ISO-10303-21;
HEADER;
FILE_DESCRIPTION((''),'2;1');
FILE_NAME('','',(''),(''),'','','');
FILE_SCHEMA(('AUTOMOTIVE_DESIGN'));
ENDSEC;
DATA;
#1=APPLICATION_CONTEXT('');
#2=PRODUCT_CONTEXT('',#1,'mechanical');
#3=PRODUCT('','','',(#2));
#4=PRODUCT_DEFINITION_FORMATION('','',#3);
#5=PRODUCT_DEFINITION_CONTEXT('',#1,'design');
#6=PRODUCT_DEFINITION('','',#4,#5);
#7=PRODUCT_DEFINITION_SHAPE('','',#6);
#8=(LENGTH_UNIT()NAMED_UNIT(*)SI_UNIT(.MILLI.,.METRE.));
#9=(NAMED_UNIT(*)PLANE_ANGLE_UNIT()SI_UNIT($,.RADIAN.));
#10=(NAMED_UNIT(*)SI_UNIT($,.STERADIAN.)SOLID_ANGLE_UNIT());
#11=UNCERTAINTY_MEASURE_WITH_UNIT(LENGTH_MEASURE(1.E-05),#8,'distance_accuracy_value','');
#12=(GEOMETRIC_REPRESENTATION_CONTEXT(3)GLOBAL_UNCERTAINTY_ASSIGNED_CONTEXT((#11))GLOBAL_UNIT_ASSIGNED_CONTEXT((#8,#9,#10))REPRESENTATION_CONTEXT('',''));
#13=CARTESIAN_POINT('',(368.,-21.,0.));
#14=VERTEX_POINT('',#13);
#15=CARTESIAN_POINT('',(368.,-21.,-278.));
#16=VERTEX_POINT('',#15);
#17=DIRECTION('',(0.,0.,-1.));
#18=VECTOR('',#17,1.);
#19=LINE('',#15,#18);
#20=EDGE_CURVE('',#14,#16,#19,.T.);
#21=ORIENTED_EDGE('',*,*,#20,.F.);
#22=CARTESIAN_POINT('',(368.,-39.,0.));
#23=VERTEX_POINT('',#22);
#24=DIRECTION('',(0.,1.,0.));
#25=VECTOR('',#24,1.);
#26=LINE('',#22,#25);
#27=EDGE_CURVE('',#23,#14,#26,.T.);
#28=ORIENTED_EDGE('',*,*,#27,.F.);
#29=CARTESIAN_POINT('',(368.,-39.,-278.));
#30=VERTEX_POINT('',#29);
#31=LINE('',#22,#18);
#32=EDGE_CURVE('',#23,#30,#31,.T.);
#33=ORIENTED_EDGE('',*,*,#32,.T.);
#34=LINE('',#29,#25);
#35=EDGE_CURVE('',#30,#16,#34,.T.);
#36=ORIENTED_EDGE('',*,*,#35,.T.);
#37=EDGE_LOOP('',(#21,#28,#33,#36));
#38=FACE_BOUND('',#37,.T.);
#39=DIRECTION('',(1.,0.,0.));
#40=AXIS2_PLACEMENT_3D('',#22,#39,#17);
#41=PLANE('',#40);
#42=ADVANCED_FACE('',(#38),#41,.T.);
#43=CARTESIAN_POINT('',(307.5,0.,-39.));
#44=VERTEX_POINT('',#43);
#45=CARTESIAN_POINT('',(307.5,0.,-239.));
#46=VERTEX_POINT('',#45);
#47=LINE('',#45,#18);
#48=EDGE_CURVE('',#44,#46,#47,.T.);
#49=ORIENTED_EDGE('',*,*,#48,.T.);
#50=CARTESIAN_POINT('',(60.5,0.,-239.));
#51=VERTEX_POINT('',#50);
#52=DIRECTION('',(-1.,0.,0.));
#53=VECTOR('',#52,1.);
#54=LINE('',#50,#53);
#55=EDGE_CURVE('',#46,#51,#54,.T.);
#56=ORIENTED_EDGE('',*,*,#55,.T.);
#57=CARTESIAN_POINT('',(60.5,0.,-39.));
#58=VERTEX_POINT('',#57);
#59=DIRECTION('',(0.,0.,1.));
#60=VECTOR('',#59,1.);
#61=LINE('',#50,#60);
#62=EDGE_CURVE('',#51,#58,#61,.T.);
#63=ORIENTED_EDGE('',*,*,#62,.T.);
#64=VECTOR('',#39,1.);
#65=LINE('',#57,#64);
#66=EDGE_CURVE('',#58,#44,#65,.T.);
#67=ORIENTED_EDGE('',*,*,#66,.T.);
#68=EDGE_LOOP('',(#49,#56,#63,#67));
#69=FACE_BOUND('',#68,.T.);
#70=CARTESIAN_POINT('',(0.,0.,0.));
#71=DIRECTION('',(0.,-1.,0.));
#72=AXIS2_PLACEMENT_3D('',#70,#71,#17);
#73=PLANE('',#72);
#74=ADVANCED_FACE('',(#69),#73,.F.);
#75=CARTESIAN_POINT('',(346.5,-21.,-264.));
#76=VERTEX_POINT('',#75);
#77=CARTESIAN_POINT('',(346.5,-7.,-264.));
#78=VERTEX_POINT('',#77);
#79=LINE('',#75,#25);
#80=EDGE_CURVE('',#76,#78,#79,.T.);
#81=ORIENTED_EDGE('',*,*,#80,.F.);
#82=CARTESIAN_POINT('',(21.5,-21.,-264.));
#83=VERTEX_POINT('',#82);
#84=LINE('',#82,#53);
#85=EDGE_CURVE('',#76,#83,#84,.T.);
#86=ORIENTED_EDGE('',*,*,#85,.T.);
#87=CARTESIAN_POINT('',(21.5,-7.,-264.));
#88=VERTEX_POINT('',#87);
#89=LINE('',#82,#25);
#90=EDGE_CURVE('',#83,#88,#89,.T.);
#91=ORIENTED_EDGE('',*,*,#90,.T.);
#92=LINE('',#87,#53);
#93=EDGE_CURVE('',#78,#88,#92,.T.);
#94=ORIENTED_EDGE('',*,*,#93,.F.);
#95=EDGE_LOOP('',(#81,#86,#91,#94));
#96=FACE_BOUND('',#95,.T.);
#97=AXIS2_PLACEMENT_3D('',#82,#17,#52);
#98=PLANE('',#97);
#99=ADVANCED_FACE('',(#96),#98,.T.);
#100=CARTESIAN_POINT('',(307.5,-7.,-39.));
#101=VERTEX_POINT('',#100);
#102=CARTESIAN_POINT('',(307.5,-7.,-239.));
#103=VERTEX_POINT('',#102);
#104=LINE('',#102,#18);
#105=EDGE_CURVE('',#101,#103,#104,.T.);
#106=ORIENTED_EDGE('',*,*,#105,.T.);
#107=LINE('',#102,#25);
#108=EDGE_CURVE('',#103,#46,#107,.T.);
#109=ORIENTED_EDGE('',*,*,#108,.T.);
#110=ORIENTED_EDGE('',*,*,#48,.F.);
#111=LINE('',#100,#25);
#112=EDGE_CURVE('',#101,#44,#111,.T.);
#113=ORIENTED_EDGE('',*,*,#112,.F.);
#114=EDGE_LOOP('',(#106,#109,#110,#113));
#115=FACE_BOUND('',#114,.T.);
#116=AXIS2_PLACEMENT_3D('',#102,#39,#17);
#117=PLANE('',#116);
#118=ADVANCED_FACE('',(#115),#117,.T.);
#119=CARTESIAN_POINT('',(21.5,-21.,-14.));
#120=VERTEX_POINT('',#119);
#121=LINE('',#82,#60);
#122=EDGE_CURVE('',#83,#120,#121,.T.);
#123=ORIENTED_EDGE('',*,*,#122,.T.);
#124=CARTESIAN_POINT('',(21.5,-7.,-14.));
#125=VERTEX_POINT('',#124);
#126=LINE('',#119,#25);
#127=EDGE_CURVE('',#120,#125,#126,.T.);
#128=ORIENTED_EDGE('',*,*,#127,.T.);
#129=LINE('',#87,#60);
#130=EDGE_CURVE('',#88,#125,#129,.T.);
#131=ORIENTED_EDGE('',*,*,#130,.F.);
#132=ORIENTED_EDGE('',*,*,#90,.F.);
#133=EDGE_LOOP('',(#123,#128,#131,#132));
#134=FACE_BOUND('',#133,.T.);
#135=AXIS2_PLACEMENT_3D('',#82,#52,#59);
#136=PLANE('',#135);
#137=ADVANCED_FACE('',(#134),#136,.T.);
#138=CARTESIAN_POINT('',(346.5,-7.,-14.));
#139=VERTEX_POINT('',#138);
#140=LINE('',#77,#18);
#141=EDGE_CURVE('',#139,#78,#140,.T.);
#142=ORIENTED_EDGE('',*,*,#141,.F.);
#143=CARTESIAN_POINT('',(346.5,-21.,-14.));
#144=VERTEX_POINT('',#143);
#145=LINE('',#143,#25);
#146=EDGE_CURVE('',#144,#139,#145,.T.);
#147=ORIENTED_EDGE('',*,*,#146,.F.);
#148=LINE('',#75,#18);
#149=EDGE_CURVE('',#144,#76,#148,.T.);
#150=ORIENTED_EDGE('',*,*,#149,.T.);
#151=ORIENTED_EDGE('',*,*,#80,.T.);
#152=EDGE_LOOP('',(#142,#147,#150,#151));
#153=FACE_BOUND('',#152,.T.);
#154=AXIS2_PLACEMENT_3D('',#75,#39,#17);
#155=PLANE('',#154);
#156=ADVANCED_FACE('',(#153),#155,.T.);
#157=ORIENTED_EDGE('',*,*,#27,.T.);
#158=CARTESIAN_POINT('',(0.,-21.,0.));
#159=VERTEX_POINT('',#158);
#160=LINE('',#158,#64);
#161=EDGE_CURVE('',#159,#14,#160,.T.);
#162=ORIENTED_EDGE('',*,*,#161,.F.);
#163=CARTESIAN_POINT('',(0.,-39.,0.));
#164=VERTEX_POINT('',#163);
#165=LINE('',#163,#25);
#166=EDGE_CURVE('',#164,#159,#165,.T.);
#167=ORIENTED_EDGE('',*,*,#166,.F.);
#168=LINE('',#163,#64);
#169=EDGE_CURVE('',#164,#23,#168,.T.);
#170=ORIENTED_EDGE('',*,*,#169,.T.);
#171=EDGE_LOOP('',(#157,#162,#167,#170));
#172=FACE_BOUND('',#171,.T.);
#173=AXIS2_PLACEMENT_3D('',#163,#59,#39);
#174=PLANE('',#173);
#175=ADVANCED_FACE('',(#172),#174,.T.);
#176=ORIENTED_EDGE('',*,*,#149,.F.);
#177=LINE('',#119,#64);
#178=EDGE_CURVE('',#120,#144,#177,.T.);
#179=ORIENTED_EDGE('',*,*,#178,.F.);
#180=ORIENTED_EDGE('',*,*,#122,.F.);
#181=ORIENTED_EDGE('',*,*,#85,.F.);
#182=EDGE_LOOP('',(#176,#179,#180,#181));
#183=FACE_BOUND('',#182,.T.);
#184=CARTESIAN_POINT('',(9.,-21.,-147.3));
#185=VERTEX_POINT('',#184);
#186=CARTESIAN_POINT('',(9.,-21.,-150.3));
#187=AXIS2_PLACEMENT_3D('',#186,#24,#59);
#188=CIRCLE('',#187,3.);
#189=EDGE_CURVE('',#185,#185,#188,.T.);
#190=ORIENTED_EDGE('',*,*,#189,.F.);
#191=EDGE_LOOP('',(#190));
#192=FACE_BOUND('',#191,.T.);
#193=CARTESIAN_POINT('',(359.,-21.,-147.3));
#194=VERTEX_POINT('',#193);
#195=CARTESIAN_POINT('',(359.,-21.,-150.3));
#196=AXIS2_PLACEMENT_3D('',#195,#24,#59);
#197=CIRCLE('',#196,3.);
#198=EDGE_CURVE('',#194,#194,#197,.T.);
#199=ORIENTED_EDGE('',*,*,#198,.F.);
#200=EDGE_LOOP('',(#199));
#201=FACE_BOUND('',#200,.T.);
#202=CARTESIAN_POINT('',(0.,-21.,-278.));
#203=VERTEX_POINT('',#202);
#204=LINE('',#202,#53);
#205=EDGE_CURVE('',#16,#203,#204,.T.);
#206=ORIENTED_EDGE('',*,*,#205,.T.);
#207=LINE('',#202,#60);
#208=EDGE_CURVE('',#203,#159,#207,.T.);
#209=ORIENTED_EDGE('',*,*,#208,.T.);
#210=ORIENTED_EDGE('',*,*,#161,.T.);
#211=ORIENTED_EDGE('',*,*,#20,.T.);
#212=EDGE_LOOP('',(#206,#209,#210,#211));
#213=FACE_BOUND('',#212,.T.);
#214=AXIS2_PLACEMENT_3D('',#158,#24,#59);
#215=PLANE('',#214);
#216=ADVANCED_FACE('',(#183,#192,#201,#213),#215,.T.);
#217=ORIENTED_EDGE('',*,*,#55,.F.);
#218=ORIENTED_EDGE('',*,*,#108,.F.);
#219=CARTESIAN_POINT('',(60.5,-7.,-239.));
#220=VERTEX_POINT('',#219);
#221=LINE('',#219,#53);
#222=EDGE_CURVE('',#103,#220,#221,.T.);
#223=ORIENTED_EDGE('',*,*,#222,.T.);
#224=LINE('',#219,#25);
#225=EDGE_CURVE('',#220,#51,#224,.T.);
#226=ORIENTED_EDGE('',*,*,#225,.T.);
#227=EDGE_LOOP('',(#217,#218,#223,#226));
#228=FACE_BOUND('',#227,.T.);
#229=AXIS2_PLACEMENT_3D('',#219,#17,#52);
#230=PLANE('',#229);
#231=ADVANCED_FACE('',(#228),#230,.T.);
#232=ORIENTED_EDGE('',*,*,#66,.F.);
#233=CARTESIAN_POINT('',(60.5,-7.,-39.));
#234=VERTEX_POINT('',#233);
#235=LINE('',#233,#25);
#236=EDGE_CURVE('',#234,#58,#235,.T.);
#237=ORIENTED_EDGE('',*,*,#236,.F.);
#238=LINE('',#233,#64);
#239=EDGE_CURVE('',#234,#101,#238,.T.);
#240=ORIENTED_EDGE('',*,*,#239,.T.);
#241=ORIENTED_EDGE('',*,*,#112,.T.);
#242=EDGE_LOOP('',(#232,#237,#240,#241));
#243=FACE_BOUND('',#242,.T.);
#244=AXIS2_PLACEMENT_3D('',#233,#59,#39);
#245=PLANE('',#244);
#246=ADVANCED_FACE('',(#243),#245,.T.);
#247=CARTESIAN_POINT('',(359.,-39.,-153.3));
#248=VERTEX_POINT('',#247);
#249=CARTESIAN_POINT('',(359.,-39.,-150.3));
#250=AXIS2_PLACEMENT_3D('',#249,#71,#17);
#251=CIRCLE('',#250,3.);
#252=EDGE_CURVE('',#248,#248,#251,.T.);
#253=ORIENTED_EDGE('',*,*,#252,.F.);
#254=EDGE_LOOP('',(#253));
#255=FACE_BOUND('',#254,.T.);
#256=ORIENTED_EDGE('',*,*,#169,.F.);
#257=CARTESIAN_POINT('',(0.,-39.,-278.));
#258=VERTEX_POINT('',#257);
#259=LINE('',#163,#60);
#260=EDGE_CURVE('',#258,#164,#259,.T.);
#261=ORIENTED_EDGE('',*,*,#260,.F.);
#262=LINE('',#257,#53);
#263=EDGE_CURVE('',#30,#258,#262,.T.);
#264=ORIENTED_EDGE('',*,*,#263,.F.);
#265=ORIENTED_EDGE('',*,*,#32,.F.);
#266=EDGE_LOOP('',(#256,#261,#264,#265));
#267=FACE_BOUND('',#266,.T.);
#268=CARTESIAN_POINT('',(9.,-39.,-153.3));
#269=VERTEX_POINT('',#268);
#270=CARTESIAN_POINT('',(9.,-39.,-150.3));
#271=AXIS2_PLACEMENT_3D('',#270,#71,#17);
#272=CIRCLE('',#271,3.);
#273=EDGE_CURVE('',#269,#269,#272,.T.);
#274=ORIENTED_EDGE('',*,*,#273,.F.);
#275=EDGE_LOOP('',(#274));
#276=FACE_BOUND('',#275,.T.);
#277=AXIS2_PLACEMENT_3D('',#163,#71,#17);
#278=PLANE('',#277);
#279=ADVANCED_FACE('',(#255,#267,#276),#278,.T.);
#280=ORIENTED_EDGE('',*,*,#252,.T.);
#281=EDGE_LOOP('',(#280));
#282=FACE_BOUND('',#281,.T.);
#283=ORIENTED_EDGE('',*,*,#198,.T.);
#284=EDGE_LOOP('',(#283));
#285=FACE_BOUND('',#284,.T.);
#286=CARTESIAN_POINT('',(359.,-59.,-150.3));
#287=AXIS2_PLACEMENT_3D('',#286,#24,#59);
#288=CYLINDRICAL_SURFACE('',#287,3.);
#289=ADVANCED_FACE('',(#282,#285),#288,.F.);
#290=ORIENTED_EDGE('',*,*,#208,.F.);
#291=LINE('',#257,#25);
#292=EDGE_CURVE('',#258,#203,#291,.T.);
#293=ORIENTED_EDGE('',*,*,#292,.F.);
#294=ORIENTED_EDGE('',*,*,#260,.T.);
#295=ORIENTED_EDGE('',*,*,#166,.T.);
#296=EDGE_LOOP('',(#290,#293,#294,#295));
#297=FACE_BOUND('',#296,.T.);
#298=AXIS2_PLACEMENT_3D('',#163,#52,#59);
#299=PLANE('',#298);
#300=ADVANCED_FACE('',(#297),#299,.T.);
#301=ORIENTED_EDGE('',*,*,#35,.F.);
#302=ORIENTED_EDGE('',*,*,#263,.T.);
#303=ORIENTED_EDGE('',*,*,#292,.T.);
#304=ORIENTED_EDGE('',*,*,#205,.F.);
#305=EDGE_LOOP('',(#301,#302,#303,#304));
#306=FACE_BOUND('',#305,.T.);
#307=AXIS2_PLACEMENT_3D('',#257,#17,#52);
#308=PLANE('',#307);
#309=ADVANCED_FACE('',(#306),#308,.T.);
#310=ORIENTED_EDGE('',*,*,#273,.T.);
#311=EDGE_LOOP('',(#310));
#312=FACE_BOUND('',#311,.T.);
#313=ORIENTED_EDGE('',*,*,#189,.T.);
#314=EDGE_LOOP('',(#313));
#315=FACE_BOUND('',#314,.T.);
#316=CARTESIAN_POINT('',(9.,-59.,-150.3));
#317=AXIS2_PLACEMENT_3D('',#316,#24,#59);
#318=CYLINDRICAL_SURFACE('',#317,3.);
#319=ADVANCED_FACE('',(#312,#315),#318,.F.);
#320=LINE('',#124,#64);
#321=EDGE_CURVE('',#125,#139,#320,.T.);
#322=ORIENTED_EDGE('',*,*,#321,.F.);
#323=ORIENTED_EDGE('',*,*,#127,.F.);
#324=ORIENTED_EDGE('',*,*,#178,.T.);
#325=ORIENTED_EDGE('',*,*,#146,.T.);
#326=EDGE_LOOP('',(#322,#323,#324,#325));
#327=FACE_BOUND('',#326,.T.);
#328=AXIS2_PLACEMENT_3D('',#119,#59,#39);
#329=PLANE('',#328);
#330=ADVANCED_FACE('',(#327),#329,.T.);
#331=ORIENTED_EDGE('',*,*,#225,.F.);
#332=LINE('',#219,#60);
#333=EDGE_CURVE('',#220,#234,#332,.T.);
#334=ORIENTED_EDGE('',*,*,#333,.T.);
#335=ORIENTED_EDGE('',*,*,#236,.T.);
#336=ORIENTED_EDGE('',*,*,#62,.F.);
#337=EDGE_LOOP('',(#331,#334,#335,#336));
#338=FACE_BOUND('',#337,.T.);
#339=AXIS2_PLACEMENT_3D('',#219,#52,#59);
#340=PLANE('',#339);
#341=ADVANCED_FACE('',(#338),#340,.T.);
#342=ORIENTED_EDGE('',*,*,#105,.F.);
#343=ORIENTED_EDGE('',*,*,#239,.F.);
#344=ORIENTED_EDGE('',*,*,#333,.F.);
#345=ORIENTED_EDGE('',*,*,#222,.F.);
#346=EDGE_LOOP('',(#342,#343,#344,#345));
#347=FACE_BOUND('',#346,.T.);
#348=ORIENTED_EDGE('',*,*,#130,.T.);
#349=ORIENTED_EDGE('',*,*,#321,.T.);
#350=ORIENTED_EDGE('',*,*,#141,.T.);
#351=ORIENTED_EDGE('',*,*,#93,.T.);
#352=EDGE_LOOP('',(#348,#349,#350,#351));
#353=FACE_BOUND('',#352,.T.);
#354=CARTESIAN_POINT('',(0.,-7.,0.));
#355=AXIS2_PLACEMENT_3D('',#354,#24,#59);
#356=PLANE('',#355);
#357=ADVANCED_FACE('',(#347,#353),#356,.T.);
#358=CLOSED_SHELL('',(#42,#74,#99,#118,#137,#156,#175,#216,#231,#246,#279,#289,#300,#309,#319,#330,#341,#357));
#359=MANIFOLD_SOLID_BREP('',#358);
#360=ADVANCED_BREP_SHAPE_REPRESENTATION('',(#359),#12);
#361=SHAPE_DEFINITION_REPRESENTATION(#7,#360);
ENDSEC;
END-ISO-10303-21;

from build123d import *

# Parameters (mm, degrees)
SKETCH1_W           = 368
SKETCH1_H           = 278
BOSS_EXTRUDE1_DEPTH = 39
SKETCH2_W           = 368
SKETCH2_H           = 278
SKETCH2_W_2         = 325
SKETCH2_H_2         = 250
CUT_EXTRUDE1_DEPTH  = 21
SKETCH3_W           = 325
SKETCH3_H           = 250
SKETCH3_W_2         = 247
SKETCH3_H_2         = 200
CUT_EXTRUDE2_DEPTH  = 7
SKETCH4_R           = 3
CUT_EXTRUDE3_DEPTH  = 59


with BuildPart() as part:
    # Sketch1 → Boss-Extrude1 (new body)
    with BuildSketch(Plane(origin=(0, 0, 0), x_dir=(1, 0, 0), z_dir=(0, 1, 0))):
        with Locations((184, 139)):
            Rectangle(SKETCH1_W, SKETCH1_H)
    extrude(amount=-BOSS_EXTRUDE1_DEPTH)

    # Sketch2 → Cut-Extrude1 (cut)
    with BuildSketch(Plane(origin=(0, 0, 0), x_dir=(1, 0, 0), z_dir=(0, 1, 0))):
        with Locations((184, 139)):
            Rectangle(SKETCH2_W, SKETCH2_H)
        with Locations((184, 139)):
            Rectangle(SKETCH2_W_2, SKETCH2_H_2, mode=Mode.SUBTRACT)
    extrude(amount=-CUT_EXTRUDE1_DEPTH, mode=Mode.SUBTRACT)

    # Sketch3 → Cut-Extrude2 (cut)
    with BuildSketch(Plane(origin=(0, 0, 0), x_dir=(1, 0, 0), z_dir=(0, 1, 0))):
        with Locations((184, 139)):
            Rectangle(SKETCH3_W, SKETCH3_H)
        with Locations((184, 139)):
            Rectangle(SKETCH3_W_2, SKETCH3_H_2, mode=Mode.SUBTRACT)
    extrude(amount=-CUT_EXTRUDE2_DEPTH, mode=Mode.SUBTRACT)

    # Sketch4 → Cut-Extrude3 (cut)
    with BuildSketch(Plane(origin=(0, 0, 0), x_dir=(1, 0, 0), z_dir=(0, 1, 0))):
        with Locations(Location((9, 150.3, 0), (0, 0, 270))):
            Circle(SKETCH4_R)
        with Locations(Location((359, 150.3, 0), (0, 0, 270))):
            Circle(SKETCH4_R)
    extrude(amount=-CUT_EXTRUDE3_DEPTH, mode=Mode.SUBTRACT)


solid = part.part
